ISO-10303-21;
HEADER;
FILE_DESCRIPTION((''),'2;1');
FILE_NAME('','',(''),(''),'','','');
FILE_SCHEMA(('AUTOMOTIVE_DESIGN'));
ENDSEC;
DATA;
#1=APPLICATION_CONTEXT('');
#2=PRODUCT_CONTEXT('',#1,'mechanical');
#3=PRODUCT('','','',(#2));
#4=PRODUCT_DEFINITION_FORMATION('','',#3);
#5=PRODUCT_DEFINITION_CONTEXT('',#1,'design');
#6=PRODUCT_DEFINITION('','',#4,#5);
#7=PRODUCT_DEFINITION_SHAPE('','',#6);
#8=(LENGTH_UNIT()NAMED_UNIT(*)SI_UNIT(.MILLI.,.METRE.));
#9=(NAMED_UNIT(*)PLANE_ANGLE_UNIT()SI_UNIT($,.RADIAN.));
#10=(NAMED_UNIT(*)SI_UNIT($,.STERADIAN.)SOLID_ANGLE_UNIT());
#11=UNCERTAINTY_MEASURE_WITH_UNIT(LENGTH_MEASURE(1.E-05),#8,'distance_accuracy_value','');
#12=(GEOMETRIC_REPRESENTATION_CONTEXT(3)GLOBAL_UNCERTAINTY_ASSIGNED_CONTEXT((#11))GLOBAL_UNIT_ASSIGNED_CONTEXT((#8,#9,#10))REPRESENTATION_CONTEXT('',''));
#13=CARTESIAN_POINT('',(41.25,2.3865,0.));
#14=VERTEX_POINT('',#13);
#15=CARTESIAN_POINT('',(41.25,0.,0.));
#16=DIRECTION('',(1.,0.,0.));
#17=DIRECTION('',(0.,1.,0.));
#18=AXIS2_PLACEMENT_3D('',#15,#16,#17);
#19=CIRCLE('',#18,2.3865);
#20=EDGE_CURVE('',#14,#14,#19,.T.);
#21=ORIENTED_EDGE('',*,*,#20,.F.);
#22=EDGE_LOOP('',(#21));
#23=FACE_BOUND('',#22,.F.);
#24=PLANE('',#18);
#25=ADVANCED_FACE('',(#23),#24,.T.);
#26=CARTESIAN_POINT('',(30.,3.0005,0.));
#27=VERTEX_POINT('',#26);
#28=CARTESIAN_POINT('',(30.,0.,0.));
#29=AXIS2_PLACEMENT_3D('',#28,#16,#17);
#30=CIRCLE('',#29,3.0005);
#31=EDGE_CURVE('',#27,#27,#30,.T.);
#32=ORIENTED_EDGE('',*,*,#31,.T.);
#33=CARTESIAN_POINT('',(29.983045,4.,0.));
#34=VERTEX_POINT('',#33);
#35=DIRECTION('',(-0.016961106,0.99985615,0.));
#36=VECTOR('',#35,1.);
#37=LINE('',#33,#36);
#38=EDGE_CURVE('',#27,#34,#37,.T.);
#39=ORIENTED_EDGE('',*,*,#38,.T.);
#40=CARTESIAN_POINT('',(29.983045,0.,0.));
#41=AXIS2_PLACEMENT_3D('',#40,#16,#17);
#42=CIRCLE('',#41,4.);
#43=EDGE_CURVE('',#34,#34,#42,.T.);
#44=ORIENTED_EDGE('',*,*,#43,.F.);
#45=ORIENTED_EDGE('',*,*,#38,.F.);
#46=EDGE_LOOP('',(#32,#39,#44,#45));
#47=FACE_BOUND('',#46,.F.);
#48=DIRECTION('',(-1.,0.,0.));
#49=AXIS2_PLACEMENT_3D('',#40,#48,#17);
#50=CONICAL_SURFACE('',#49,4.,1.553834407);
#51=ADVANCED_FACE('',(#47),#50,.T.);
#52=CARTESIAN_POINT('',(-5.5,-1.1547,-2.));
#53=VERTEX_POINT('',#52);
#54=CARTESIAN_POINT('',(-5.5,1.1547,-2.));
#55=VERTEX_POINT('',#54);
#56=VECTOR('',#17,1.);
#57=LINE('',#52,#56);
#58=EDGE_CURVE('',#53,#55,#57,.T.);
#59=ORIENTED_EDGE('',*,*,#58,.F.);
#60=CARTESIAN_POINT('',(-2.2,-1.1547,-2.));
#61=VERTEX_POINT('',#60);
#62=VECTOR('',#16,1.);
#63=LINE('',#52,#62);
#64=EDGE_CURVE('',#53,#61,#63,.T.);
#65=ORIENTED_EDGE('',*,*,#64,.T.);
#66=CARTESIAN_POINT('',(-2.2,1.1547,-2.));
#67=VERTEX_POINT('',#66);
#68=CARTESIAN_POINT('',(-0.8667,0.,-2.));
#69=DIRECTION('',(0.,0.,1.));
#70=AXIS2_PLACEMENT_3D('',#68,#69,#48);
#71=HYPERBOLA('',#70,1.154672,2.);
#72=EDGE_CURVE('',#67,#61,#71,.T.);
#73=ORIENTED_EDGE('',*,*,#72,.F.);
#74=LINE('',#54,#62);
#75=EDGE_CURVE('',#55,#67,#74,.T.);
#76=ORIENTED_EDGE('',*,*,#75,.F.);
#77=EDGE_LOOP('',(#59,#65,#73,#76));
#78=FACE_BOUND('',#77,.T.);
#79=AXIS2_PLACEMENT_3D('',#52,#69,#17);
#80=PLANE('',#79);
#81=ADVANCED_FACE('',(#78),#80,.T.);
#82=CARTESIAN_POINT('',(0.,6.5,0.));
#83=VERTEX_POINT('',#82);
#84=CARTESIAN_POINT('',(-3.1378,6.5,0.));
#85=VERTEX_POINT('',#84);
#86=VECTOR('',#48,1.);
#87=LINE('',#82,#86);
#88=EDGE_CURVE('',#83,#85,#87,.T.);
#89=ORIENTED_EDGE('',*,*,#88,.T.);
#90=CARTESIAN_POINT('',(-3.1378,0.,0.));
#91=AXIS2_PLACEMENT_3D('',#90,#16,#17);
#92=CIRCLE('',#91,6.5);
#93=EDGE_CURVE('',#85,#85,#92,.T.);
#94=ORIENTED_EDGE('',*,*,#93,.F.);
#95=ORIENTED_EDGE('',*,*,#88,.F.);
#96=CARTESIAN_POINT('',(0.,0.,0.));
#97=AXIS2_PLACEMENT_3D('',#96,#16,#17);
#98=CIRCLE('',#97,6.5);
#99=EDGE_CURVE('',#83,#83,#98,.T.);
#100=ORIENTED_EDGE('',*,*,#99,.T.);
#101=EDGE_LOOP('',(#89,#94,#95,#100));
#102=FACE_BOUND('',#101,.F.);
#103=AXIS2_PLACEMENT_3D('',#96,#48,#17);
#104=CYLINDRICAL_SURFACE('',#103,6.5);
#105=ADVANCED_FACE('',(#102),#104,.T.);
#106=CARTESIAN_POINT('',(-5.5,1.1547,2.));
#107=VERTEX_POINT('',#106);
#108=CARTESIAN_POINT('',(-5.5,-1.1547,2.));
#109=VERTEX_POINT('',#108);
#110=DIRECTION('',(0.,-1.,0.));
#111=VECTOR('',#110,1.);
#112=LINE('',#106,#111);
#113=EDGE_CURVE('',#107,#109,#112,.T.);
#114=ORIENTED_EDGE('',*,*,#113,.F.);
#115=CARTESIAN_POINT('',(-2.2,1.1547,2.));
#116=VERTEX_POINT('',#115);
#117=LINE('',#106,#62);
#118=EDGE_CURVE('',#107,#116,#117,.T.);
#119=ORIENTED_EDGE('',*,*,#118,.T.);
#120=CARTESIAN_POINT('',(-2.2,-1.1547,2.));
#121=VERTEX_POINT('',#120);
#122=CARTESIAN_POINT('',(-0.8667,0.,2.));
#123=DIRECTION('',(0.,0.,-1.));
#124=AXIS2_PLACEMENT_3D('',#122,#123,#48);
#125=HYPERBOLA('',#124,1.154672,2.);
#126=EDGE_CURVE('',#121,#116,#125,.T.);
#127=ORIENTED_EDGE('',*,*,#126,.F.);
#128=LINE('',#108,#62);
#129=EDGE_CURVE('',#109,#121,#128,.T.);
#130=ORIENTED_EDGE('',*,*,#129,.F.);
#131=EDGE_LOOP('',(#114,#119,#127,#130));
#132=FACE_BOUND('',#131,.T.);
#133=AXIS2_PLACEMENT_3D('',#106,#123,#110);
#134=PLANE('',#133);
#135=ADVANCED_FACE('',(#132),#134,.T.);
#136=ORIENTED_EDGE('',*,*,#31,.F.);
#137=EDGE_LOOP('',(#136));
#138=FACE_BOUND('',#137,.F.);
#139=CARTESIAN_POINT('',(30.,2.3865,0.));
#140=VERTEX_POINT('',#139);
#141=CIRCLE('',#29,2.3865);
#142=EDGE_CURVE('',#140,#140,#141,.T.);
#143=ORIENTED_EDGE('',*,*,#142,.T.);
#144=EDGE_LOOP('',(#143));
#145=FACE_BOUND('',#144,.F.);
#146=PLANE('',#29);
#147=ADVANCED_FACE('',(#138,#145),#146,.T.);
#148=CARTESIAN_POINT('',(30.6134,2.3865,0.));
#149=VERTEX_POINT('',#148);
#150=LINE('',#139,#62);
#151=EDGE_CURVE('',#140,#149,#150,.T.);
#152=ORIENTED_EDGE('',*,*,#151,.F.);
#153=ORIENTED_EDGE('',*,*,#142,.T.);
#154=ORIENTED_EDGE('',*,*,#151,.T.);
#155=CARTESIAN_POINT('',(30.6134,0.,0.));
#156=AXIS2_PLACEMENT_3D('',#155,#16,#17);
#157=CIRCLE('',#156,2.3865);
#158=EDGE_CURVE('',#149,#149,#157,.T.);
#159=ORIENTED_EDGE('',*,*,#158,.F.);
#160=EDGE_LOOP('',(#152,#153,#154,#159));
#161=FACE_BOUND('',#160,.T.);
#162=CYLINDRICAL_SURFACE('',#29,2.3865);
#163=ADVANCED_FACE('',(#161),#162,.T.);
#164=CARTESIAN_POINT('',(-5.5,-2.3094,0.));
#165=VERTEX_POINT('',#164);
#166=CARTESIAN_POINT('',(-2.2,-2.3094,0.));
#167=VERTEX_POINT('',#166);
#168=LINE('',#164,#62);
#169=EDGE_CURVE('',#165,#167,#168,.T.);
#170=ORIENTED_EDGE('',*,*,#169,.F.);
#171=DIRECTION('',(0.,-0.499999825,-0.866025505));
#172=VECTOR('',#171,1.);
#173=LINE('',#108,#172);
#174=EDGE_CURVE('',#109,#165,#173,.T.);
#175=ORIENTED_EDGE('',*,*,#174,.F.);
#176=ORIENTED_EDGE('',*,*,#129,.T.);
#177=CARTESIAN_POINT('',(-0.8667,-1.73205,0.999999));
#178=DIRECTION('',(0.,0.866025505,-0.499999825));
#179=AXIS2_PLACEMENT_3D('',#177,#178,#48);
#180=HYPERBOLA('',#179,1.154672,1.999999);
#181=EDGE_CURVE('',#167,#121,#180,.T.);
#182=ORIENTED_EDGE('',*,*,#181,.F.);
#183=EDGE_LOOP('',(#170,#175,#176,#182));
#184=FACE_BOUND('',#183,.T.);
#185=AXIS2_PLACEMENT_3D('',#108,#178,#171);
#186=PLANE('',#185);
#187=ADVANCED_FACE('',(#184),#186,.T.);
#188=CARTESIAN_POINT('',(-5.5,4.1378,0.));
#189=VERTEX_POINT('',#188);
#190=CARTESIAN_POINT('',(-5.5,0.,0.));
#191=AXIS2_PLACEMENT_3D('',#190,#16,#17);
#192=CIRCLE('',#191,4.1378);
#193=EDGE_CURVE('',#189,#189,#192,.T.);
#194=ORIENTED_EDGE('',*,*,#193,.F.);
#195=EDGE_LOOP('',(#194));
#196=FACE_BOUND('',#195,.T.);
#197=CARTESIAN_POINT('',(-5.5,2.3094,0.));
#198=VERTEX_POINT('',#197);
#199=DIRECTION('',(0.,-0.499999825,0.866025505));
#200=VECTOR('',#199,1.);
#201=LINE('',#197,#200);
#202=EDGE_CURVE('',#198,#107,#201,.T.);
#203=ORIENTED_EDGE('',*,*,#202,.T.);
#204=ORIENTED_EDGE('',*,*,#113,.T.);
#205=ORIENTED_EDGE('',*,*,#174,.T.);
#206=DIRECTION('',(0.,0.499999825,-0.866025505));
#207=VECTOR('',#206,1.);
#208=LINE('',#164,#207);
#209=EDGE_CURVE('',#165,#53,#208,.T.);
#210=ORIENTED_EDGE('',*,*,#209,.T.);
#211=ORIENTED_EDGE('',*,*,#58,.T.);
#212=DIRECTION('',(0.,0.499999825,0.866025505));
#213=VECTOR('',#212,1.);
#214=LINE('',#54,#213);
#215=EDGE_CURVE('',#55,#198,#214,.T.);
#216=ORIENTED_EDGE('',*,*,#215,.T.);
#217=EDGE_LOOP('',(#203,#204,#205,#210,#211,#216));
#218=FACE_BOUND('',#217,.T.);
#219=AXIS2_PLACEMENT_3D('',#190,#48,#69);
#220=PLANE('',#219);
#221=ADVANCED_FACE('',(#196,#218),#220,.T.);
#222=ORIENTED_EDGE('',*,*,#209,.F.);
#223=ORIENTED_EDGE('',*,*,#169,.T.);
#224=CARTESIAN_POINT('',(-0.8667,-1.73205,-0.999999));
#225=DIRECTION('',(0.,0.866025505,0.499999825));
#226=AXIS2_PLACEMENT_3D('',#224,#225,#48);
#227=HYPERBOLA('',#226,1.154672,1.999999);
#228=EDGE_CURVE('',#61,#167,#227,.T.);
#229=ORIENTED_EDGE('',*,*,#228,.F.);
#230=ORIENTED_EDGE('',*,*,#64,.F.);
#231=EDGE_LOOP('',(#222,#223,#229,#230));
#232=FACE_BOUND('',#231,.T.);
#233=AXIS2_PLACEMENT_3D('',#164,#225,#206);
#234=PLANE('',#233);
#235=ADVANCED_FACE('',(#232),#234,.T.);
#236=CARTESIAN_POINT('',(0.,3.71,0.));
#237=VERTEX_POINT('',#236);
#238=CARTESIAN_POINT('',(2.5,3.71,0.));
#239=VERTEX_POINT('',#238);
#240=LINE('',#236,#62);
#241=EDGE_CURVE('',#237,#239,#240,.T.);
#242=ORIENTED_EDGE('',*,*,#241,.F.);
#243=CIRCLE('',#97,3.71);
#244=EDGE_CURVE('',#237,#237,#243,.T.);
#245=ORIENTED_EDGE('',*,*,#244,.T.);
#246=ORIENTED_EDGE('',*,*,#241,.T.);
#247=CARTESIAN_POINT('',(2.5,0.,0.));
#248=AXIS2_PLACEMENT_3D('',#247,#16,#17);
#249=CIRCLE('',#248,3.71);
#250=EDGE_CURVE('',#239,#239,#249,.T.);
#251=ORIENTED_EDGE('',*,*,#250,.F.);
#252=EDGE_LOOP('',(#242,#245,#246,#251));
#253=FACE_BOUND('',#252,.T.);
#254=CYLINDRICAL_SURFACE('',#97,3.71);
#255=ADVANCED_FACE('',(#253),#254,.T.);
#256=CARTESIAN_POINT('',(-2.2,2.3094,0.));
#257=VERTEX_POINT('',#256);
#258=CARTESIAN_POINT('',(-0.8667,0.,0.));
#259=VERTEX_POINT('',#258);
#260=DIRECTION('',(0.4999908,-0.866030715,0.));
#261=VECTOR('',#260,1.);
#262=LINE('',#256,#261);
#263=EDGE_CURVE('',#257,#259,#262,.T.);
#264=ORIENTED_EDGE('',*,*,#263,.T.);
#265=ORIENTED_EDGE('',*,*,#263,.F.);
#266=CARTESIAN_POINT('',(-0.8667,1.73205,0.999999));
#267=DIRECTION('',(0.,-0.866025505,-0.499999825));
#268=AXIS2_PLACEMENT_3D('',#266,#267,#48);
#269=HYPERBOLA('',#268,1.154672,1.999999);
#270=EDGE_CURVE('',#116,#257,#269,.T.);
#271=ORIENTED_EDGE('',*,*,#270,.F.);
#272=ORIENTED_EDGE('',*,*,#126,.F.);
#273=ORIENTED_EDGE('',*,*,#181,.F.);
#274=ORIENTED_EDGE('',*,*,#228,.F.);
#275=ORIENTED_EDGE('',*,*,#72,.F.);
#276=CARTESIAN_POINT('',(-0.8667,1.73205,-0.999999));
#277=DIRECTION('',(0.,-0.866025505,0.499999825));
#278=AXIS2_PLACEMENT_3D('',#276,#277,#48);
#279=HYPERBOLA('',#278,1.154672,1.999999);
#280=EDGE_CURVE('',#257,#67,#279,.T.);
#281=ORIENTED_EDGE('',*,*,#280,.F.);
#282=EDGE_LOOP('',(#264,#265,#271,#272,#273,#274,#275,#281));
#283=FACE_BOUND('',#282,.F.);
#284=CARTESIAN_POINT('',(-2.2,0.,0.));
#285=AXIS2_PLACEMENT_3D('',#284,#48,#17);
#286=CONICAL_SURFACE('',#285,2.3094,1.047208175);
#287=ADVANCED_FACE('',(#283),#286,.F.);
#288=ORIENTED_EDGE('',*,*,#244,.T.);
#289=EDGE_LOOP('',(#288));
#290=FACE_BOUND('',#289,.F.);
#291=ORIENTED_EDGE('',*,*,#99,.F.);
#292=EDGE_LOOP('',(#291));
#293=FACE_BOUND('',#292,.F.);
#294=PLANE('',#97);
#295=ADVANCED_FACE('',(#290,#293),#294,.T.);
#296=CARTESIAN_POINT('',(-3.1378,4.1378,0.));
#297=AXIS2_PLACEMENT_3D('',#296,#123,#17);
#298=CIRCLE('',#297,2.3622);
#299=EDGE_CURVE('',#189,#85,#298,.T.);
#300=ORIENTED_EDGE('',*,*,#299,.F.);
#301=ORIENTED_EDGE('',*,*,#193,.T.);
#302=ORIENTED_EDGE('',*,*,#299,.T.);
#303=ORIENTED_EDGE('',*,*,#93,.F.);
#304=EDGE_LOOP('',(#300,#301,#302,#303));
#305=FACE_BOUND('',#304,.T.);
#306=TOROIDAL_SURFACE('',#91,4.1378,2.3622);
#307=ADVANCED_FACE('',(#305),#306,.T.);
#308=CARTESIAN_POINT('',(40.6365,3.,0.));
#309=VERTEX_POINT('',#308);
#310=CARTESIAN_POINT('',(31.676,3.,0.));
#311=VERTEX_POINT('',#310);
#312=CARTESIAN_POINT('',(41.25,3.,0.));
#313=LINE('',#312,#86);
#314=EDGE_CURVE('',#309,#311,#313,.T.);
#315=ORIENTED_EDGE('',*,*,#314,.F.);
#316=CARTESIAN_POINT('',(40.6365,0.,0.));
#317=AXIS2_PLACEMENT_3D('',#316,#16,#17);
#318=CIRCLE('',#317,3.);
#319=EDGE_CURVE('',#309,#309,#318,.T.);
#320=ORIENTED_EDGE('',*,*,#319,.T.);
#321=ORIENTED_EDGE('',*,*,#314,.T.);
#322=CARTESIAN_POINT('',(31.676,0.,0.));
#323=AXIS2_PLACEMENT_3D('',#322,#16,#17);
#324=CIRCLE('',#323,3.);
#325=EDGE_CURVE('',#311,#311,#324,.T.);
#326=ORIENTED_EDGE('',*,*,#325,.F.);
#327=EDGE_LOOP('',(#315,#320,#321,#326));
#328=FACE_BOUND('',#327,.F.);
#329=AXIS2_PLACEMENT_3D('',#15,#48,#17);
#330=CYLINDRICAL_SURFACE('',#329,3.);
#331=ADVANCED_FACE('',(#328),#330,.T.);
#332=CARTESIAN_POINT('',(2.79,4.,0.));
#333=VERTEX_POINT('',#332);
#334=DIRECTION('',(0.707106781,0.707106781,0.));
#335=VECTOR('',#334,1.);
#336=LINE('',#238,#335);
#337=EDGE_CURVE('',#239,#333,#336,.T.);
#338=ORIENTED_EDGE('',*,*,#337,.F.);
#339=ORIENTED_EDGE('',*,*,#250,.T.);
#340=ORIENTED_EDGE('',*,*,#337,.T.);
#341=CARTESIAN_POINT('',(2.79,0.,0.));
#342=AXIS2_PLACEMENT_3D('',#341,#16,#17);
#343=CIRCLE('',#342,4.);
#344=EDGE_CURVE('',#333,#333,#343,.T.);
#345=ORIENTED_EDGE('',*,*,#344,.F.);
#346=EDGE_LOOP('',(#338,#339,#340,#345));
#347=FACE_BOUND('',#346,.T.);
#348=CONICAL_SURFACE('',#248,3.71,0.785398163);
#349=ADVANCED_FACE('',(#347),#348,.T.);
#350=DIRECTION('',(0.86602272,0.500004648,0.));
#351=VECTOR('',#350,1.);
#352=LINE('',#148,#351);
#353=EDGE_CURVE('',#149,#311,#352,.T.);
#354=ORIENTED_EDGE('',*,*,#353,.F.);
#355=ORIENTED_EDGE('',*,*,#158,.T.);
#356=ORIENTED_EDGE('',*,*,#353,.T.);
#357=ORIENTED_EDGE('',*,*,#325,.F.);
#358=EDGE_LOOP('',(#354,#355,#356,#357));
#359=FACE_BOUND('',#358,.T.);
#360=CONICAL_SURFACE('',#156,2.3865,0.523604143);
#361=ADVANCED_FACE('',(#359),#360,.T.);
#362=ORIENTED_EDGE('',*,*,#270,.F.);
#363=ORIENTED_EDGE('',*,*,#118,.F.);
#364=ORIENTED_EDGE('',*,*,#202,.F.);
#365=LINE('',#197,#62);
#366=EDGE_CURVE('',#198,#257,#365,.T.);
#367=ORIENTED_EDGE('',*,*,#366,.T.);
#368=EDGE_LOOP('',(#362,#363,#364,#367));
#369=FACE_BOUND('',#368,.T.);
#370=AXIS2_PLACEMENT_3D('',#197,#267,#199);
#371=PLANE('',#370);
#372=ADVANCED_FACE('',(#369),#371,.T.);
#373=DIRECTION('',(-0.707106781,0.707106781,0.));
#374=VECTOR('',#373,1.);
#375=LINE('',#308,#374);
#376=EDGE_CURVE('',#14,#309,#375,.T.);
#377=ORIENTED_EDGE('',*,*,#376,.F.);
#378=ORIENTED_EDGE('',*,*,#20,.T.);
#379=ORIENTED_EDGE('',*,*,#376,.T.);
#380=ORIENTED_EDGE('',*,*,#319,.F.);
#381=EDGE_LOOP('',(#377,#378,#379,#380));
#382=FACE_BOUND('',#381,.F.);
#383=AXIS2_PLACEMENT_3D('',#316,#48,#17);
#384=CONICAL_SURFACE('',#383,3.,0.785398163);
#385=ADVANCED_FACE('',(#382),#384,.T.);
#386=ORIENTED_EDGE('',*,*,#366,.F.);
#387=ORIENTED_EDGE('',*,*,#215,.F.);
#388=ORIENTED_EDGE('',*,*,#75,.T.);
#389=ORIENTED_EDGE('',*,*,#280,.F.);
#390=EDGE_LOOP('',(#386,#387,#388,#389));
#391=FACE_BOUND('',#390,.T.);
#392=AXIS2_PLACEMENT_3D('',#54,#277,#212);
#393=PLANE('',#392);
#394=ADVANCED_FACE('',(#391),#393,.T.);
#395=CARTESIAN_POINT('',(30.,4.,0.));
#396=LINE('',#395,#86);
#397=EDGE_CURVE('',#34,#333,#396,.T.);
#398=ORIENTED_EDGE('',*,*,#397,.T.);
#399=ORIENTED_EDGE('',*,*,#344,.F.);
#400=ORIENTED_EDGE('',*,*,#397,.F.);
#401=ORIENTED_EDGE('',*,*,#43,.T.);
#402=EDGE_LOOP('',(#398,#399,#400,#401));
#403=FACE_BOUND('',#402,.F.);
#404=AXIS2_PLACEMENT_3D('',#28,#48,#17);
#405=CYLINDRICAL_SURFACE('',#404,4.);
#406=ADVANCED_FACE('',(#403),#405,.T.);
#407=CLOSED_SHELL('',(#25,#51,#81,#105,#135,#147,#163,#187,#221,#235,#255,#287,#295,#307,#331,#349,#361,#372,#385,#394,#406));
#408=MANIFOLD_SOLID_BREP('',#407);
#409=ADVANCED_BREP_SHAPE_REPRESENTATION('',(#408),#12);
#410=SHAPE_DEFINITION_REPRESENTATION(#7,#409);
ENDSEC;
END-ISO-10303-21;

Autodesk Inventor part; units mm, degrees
ref_plane "YZ Plane" through (0, 0, 0) normal (1, 0, 0) x (0, 1, 0)
ref_plane "XZ Plane" through (0, 0, 0) normal (0, 1, 0) x (-1, 0, 0)
sketch "Sketch1" plane through (0, 0, 0) normal (0, 0, 1) x (1, 0, 0)
  line L0 (-0.8667, 0) -> (41.25, 0)
  line L1 (41.25, 0) -> (41.25, 3)
  line L2 (41.25, 3) -> (30, 3)
  line L3 (30, 3) -> (30, 4)
  line L4 (30, 4) -> (0, 4)
  line L5 (0, 4) -> (0, 6.5)
  line L6 (0, 6.5) -> (-5.5, 6.5)
  line L7 (-5.5, 6.5) -> (-5.5, 2.3094)
  line L8 (-5.5, 2.3094) -> (-2.2, 2.3094)
  line L9 (-2.2, 2.3094) -> (-0.8667, 0)
  line L10 (-10.175, 0) -> (55.275, 0) projected
  line L11 (0, -0.65) -> (0, 8.45) projected
  line L12 (0, 3.71) -> (2.5, 3.71)
  line L13 (2.5, 3.71) -> (2.79, 4)
  line L14 (30, 3) -> (30, 2.3865)
  line L15 (30, 2.3865) -> (30.6134, 2.3865)
  line L16 (30.6134, 2.3865) -> (31.676, 3)
  line L17 (0, 3.71) -> (0, 4)
  dimension "d0" = 6
  dimension "d1" = 8
  dimension "d2" = 13
  dimension "d3" = 4.6188
  dimension "d5" = 11.25
  dimension "d6" = 5.5
  dimension "d7" = 3.3
  dimension "d8" = 60
  dimension "d9" = 41.25
  dimension "d18" = 2.5
  dimension "d19" = 45
  dimension "d20" = 7.42
  dimension "d21" = 4.7731
  dimension "d22" = 30
  dimension "d23" = 0.6135
revolve "Body" add sketch "Sketch1" angle 360 about axis through (-0.8667, 0, 0) along (1, 0, 0)
sketch "Sketch2" plane through (-5.5, 0, 0) normal (-1, 0, 0) x (0, 0, 1)
  circle A0 centre (0, 0) radius 2.3094 projected
  line L0 (0, 2.3094) -> (2, 1.1547)
  line L1 (2, 1.1547) -> (2, -1.1547)
  line L2 (2, -1.1547) -> (0, -2.3094)
  line L3 (0, -2.3094) -> (-2, -1.1547)
  line L4 (-2, -1.1547) -> (-2, 1.1547)
  line L5 (-2, 1.1547) -> (0, 2.3094)
  point P0 (0, 0)
extrude "Slot" add sketch "Sketch2" against normal up to next contours A0 L1 | L0 A0 | A0 L2 | L5 A0 | A0 L3 | L4 A0
fillet "Fillet1" radius 2.3622 1 edges at (-5.5, -6.5, 0)
thread "Thread" size "M6x1" class "6g" standard "ISO Metric profile" length 11.25
chamfer "Chamfer1" distance 0.6135 distance2 0.6135 1 edges at (41.25, -3, 0) measured on face at (41.25, 1, 0)
chamfer "Chamfer2" distance 1 angle 1 1 edges at (30, -4, 0) measured on face at (30, 3.5989, -0.5584)
revolve "Groove1" cut sketch "Sketch1" angle 360 about axis through (-0.8667, 0, 0) along (1, 0, 0) contours L11 L4 L13 L12
revolve "Groove2" cut sketch "Sketch1" angle 360 about axis through (-0.8667, 0, 0) along (1, 0, 0) contours L16 L15 L14 L2
ref_plane "Work Plane1" through (15, 0, 0) normal (0, 0, 1) x (1, 0, 0)
equation "\"d0\" = NND"
equation "\"d1\" = BDM"
equation "\"d2\" = KOD"
equation "\"d3\" = 1.1547 * SW"
equation "\"d5\" = GEL"
equation "\"d6\" = KOH"
equation "\"d7\" = INTI + LOTI"
equation "\"d8\" = 0.5 * ANG"
equation "\"d9\" = NLG"
equation "\"d18\" = GAL2"
equation "\"d19\" = FAWI4"
equation "\"d20\" = BDMM"
equation "\"d21\" = GD1"
equation "\"d22\" = FAWI2"
equation "\"d23\" = GAL"
equation "\"d13\" = RR"
equation "\"d25\" = GEL"
equation "\"d14\" = -0.5 * SPD + 0.5 * NND"
equation "\"d15\" = GUL"
equation "\"d16\" = -0.5 * NND + 0.5 * BDM"
equation "\"d32\" = -0.5 * NND + 0.5 * BDM"
equation "\"NND\" = 6"
equation "\"NLG\" = 41.25"
equation "\"GEL\" = 11.25"
equation "\"KOD\" = 13"
equation "\"KOH\" = 5.5"
equation "\"INTI\" = 3.3"
equation "\"GAL\" = 0.61345 * PTC"
equation "\"GUL\" = 0.61345 * PTC"
equation "\"SPD\" = NND - 1.2269 * PTC"
equation "\"BDM\" = 8"
equation "\"ANG\" = 120deg"
equation "\"FAWI2\" = 30deg"
equation "\"FAWI3\" = 89deg"
equation "\"FAWI4\" = 45deg"
equation "\"RR\" = 2.3622"
equation "\"SW\" = 4"
equation "\"BDMM\" = 7.42"
equation "\"GAL2\" = 2.5"
equation "\"LOTI\" = 0"
equation "\"GD1\" = THREADDIA - 1.2269 * PTC"
equation "\"PTC\" = 1"
equation "\"BOR\" = 4"
equation "\"THREADDIA\" = 6"
equation "\"E0\" = 1.155 * SW"
equation "\"TOA\" = 30deg"
equation "\"PHH\" = 0.55"
properties part number "100005" material "Steel, Mild"
